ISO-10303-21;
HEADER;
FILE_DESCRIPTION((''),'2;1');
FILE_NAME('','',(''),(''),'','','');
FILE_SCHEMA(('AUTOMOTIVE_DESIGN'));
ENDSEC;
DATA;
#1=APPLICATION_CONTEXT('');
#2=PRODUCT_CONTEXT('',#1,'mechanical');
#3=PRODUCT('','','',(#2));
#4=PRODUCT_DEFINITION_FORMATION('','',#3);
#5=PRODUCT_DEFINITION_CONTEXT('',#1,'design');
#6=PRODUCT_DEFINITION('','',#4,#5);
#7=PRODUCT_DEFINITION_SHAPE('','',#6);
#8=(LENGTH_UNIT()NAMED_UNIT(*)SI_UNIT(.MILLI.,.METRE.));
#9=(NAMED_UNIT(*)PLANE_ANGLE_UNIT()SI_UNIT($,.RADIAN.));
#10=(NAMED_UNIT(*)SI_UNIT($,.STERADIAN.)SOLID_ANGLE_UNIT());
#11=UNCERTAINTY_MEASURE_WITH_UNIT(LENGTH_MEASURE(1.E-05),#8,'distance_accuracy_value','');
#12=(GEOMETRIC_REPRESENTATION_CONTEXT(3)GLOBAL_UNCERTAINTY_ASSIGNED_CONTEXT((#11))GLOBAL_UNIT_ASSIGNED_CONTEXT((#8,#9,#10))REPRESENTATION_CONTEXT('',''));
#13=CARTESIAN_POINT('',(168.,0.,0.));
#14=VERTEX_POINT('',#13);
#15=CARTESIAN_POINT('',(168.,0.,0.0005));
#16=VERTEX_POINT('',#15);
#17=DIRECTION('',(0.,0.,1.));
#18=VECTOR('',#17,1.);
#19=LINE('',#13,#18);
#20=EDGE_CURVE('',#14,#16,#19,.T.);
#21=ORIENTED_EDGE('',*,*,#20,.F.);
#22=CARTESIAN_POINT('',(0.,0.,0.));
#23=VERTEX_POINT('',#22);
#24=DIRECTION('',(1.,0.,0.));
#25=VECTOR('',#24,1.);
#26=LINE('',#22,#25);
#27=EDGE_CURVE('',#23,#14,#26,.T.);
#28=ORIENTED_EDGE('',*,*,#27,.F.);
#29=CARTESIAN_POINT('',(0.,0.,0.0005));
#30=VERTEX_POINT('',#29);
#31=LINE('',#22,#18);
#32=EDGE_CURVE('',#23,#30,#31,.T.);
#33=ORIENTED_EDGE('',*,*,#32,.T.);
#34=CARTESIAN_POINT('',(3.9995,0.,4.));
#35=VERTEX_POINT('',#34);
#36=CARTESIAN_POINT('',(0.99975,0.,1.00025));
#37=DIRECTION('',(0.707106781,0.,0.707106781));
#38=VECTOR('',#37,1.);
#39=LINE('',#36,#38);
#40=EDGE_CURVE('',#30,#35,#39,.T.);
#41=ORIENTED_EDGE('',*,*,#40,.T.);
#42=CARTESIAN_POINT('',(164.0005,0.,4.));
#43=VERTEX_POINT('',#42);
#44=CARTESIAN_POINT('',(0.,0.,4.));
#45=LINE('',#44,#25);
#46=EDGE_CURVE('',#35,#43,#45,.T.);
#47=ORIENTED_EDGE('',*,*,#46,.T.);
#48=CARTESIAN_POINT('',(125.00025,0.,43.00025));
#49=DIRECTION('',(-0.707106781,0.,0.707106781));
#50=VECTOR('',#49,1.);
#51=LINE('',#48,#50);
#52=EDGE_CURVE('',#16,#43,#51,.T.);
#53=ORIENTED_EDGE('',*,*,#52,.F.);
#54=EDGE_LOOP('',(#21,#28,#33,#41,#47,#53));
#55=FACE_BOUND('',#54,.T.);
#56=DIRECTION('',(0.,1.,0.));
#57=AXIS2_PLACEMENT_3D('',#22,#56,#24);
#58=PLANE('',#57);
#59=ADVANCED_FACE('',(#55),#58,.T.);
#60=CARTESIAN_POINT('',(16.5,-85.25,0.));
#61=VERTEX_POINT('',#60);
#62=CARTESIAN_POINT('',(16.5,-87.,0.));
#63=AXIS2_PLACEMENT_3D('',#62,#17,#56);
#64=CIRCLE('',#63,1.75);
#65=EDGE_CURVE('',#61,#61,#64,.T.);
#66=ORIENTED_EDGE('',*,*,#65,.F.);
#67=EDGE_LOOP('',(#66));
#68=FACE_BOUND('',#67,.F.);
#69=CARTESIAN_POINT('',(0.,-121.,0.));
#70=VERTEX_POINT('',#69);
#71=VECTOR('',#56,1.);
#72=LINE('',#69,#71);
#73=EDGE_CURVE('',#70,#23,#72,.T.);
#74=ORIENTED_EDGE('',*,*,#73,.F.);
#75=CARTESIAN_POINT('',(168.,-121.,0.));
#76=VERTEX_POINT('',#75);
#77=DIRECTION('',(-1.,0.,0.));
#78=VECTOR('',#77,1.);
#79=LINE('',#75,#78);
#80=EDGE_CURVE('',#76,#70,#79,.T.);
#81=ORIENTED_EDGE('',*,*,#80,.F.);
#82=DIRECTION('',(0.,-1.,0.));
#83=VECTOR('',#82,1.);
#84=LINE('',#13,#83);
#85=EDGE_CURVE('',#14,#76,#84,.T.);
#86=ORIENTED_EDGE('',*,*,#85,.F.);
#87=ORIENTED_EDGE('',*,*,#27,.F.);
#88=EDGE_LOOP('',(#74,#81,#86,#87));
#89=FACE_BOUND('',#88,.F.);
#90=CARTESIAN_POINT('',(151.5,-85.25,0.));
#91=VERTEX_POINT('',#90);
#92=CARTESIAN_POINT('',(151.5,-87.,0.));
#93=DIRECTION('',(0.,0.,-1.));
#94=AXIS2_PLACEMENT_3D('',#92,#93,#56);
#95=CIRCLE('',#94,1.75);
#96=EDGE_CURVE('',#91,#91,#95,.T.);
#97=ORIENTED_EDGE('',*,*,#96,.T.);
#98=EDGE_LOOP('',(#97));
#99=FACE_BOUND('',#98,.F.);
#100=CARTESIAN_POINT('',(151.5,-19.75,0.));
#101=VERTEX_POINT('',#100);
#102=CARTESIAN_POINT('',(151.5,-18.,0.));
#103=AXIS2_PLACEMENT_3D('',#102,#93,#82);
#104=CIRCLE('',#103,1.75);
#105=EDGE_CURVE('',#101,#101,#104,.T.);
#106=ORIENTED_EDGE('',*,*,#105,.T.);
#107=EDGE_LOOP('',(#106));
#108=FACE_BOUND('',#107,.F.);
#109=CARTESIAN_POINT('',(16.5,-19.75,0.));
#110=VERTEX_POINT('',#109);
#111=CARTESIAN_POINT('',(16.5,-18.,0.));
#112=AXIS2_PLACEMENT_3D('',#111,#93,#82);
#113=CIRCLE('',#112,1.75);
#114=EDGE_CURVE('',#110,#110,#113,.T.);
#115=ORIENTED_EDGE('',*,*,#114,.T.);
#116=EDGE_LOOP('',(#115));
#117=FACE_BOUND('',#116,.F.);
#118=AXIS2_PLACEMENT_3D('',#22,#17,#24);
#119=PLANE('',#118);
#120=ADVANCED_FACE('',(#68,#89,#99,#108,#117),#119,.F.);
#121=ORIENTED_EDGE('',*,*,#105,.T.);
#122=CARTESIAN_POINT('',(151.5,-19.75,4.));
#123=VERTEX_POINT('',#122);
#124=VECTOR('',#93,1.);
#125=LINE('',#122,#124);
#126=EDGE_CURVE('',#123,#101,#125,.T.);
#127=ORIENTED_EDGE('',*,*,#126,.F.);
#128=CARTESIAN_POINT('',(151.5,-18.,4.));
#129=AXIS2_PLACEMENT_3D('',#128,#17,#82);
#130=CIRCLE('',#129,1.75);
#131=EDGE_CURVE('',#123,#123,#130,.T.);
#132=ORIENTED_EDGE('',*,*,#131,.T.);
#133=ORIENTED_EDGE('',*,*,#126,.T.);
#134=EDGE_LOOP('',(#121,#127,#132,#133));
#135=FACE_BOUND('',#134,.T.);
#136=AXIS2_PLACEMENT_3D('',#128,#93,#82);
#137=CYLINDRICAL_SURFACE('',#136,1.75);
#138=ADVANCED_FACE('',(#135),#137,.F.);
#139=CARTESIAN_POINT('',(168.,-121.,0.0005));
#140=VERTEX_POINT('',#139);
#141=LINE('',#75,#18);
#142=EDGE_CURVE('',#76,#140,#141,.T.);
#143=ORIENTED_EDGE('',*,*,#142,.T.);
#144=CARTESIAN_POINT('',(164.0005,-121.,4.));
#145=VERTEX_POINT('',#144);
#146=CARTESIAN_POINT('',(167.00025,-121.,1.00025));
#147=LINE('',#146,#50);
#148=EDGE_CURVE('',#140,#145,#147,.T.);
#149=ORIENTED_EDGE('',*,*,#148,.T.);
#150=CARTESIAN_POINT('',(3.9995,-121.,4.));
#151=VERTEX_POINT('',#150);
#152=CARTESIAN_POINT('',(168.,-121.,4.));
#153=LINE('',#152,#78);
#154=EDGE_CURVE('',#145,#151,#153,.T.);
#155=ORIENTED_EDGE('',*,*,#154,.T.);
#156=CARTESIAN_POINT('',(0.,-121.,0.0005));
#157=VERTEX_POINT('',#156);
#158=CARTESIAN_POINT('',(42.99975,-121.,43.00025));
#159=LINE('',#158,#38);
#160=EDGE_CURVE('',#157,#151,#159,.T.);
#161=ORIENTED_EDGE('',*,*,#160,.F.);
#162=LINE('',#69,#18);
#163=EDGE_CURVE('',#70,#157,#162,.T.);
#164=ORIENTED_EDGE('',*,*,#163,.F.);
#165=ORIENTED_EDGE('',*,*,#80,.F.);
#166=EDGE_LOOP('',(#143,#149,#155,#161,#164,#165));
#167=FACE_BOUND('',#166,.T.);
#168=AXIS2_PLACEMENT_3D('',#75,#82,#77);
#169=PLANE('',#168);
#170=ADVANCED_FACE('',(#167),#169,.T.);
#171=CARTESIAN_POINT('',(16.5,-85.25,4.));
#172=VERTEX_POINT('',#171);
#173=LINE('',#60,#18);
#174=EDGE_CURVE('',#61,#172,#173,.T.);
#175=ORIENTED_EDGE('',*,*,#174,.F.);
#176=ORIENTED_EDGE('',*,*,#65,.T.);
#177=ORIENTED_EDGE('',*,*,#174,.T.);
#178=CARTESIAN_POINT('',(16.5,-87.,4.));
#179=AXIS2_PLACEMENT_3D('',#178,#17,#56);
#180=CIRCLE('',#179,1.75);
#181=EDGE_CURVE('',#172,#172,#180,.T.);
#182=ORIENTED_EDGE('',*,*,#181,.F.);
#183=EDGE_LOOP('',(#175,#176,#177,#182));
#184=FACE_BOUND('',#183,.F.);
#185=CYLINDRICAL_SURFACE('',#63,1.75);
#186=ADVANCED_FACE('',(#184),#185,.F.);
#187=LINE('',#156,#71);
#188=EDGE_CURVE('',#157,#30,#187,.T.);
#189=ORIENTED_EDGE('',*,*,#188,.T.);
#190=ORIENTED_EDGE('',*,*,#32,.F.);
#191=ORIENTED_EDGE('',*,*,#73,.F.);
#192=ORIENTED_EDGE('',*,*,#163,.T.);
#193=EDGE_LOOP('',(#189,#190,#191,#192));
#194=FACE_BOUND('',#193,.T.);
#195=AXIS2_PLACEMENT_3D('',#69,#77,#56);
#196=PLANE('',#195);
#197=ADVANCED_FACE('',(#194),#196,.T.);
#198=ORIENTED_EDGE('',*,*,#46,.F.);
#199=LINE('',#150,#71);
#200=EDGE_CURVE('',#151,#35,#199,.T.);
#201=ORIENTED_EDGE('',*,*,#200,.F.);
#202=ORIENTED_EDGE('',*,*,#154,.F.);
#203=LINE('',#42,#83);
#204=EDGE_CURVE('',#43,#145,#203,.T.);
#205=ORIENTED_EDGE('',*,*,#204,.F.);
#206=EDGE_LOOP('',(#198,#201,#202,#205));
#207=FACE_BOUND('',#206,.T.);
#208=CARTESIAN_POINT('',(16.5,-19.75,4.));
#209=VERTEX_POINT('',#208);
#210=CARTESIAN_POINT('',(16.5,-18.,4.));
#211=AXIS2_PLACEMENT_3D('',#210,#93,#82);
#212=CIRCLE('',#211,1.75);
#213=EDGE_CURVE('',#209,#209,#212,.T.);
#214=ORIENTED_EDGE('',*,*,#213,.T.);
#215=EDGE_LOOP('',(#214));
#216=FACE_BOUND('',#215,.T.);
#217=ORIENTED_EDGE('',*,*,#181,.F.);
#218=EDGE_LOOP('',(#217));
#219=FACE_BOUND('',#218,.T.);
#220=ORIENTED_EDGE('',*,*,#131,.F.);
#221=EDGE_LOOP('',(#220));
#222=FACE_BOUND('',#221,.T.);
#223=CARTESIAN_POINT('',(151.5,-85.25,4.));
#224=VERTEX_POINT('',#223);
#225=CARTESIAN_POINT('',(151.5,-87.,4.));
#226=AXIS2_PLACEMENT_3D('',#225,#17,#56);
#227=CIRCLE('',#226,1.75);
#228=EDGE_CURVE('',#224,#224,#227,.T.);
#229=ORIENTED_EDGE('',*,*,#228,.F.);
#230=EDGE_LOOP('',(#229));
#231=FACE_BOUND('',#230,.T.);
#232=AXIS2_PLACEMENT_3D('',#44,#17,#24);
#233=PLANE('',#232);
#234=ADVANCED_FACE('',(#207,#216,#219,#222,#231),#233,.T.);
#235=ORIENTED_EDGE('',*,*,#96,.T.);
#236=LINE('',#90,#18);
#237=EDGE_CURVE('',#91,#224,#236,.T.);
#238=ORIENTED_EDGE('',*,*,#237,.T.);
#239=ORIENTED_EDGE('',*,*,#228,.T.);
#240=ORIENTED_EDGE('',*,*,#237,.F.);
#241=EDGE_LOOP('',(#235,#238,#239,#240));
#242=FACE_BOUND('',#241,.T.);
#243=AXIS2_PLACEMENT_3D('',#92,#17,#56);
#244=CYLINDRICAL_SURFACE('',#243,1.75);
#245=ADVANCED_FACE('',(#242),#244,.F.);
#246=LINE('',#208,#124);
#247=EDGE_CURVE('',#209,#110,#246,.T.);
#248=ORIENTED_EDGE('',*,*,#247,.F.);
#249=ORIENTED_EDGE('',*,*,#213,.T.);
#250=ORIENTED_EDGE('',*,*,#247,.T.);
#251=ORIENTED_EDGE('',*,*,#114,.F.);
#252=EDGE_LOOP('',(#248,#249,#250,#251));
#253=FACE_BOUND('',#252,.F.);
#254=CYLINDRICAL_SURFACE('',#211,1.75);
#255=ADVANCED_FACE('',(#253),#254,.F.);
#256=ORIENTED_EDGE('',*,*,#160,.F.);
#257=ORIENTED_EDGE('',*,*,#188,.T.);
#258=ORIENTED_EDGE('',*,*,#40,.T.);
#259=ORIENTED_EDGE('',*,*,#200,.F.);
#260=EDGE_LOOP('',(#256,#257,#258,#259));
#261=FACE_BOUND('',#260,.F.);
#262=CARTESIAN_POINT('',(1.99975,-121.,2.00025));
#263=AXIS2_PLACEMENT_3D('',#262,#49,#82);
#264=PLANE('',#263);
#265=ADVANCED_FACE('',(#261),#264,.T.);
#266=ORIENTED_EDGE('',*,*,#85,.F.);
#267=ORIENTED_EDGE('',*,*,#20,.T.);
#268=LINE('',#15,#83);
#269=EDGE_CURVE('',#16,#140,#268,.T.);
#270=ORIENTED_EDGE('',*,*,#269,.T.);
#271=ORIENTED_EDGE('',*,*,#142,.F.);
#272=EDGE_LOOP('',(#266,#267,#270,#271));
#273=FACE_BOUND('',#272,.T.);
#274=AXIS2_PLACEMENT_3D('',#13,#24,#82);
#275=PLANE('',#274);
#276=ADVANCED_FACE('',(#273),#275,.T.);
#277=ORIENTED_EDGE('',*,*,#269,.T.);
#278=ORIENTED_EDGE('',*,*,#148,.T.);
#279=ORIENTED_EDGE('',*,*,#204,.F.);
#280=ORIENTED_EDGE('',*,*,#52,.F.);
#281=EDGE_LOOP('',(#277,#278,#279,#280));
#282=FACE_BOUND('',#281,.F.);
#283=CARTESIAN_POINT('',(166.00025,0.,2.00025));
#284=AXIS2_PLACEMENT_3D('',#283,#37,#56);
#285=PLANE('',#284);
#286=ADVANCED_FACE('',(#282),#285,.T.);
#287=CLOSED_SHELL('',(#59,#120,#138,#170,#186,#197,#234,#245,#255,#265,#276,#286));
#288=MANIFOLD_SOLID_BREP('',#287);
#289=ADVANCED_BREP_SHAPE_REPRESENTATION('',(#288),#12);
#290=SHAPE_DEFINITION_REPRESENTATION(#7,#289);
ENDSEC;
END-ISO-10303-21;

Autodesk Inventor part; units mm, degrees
ref_plane "YZ Plane" through (0, 0, 0) normal (1, 0, 0) x (0, 1, 0)
ref_plane "XZ Plane" through (0, 0, 0) normal (0, 1, 0) x (-1, 0, 0)
ref_plane "XY Plane" through (0, 0, 0) normal (0, 0, 1) x (1, 0, 0)
sketch "Sketch1" plane through (0, 0, 0) normal (0, 0, 1) x (1, 0, 0)
  line L0 (0, 0) -> (168, 0)
  line L1 (168, 0) -> (168, -121)
  line L2 (168, -121) -> (0, -121)
  line L3 (0, -121) -> (0, 0)
  dimension "d0" = 168
  dimension "d1" = 121
extrude "Extrusion1" add sketch "Sketch1" along normal blind 4
sketch "Sketch2" plane through (0, 0, 0) normal (0, 0, -1) x (-1, 0, 0)
  line L0 (0, -121) -> (-168, -121) projected
  line L1 (0, -121) -> (-16.5, -121)
  line L2 (-16.5, -121) -> (-16.5, -87)
  line L3 (-16.5, -87) -> (0, -87)
  line L4 (0, -87) -> (0, -121)
  point P0 (0, 0)
  dimension "d4" = 16.5
  dimension "d5" = 34
hole "Hole1" at (16.5, -87, 0) direction (0, 0, 1) diameter 3.5 depth 8.8
ref_plane "Work Plane1" through (84, -121, 0) normal (-1, 0, 0) x (0, 0, 1)
ref_plane "Work Plane2" through (0, -60.5, 0) normal (0, 1, 0) x (1, 0, 0)
sketch "Sketch3" plane through (0, 0, 4) normal (0, 0, 1) x (1, 0, 0)
  line L0 (168, 0) -> (0, 0) projected
  line L1 (0, 0) -> (16.5, 0)
  line L2 (16.5, 0) -> (16.5, -18)
  line L3 (16.5, -18) -> (0, -18)
  line L4 (0, -18) -> (0, 0)
  dimension "d13" = 16.5
  dimension "d14" = 18
hole "Hole2" at (16.5, -18, 4) direction (0, 0, -1) diameter 3.5 depth 8.8
mirror "Mirror1" about plane through (84, -121, 0) normal (-1, 0, 0) of "Hole2", "Hole1"
chamfer "Chamfer1" distance 4 angle 45 2 edges at (0, -60.5, 4) (168, -60.5, 4)
properties part number "wall-left"
